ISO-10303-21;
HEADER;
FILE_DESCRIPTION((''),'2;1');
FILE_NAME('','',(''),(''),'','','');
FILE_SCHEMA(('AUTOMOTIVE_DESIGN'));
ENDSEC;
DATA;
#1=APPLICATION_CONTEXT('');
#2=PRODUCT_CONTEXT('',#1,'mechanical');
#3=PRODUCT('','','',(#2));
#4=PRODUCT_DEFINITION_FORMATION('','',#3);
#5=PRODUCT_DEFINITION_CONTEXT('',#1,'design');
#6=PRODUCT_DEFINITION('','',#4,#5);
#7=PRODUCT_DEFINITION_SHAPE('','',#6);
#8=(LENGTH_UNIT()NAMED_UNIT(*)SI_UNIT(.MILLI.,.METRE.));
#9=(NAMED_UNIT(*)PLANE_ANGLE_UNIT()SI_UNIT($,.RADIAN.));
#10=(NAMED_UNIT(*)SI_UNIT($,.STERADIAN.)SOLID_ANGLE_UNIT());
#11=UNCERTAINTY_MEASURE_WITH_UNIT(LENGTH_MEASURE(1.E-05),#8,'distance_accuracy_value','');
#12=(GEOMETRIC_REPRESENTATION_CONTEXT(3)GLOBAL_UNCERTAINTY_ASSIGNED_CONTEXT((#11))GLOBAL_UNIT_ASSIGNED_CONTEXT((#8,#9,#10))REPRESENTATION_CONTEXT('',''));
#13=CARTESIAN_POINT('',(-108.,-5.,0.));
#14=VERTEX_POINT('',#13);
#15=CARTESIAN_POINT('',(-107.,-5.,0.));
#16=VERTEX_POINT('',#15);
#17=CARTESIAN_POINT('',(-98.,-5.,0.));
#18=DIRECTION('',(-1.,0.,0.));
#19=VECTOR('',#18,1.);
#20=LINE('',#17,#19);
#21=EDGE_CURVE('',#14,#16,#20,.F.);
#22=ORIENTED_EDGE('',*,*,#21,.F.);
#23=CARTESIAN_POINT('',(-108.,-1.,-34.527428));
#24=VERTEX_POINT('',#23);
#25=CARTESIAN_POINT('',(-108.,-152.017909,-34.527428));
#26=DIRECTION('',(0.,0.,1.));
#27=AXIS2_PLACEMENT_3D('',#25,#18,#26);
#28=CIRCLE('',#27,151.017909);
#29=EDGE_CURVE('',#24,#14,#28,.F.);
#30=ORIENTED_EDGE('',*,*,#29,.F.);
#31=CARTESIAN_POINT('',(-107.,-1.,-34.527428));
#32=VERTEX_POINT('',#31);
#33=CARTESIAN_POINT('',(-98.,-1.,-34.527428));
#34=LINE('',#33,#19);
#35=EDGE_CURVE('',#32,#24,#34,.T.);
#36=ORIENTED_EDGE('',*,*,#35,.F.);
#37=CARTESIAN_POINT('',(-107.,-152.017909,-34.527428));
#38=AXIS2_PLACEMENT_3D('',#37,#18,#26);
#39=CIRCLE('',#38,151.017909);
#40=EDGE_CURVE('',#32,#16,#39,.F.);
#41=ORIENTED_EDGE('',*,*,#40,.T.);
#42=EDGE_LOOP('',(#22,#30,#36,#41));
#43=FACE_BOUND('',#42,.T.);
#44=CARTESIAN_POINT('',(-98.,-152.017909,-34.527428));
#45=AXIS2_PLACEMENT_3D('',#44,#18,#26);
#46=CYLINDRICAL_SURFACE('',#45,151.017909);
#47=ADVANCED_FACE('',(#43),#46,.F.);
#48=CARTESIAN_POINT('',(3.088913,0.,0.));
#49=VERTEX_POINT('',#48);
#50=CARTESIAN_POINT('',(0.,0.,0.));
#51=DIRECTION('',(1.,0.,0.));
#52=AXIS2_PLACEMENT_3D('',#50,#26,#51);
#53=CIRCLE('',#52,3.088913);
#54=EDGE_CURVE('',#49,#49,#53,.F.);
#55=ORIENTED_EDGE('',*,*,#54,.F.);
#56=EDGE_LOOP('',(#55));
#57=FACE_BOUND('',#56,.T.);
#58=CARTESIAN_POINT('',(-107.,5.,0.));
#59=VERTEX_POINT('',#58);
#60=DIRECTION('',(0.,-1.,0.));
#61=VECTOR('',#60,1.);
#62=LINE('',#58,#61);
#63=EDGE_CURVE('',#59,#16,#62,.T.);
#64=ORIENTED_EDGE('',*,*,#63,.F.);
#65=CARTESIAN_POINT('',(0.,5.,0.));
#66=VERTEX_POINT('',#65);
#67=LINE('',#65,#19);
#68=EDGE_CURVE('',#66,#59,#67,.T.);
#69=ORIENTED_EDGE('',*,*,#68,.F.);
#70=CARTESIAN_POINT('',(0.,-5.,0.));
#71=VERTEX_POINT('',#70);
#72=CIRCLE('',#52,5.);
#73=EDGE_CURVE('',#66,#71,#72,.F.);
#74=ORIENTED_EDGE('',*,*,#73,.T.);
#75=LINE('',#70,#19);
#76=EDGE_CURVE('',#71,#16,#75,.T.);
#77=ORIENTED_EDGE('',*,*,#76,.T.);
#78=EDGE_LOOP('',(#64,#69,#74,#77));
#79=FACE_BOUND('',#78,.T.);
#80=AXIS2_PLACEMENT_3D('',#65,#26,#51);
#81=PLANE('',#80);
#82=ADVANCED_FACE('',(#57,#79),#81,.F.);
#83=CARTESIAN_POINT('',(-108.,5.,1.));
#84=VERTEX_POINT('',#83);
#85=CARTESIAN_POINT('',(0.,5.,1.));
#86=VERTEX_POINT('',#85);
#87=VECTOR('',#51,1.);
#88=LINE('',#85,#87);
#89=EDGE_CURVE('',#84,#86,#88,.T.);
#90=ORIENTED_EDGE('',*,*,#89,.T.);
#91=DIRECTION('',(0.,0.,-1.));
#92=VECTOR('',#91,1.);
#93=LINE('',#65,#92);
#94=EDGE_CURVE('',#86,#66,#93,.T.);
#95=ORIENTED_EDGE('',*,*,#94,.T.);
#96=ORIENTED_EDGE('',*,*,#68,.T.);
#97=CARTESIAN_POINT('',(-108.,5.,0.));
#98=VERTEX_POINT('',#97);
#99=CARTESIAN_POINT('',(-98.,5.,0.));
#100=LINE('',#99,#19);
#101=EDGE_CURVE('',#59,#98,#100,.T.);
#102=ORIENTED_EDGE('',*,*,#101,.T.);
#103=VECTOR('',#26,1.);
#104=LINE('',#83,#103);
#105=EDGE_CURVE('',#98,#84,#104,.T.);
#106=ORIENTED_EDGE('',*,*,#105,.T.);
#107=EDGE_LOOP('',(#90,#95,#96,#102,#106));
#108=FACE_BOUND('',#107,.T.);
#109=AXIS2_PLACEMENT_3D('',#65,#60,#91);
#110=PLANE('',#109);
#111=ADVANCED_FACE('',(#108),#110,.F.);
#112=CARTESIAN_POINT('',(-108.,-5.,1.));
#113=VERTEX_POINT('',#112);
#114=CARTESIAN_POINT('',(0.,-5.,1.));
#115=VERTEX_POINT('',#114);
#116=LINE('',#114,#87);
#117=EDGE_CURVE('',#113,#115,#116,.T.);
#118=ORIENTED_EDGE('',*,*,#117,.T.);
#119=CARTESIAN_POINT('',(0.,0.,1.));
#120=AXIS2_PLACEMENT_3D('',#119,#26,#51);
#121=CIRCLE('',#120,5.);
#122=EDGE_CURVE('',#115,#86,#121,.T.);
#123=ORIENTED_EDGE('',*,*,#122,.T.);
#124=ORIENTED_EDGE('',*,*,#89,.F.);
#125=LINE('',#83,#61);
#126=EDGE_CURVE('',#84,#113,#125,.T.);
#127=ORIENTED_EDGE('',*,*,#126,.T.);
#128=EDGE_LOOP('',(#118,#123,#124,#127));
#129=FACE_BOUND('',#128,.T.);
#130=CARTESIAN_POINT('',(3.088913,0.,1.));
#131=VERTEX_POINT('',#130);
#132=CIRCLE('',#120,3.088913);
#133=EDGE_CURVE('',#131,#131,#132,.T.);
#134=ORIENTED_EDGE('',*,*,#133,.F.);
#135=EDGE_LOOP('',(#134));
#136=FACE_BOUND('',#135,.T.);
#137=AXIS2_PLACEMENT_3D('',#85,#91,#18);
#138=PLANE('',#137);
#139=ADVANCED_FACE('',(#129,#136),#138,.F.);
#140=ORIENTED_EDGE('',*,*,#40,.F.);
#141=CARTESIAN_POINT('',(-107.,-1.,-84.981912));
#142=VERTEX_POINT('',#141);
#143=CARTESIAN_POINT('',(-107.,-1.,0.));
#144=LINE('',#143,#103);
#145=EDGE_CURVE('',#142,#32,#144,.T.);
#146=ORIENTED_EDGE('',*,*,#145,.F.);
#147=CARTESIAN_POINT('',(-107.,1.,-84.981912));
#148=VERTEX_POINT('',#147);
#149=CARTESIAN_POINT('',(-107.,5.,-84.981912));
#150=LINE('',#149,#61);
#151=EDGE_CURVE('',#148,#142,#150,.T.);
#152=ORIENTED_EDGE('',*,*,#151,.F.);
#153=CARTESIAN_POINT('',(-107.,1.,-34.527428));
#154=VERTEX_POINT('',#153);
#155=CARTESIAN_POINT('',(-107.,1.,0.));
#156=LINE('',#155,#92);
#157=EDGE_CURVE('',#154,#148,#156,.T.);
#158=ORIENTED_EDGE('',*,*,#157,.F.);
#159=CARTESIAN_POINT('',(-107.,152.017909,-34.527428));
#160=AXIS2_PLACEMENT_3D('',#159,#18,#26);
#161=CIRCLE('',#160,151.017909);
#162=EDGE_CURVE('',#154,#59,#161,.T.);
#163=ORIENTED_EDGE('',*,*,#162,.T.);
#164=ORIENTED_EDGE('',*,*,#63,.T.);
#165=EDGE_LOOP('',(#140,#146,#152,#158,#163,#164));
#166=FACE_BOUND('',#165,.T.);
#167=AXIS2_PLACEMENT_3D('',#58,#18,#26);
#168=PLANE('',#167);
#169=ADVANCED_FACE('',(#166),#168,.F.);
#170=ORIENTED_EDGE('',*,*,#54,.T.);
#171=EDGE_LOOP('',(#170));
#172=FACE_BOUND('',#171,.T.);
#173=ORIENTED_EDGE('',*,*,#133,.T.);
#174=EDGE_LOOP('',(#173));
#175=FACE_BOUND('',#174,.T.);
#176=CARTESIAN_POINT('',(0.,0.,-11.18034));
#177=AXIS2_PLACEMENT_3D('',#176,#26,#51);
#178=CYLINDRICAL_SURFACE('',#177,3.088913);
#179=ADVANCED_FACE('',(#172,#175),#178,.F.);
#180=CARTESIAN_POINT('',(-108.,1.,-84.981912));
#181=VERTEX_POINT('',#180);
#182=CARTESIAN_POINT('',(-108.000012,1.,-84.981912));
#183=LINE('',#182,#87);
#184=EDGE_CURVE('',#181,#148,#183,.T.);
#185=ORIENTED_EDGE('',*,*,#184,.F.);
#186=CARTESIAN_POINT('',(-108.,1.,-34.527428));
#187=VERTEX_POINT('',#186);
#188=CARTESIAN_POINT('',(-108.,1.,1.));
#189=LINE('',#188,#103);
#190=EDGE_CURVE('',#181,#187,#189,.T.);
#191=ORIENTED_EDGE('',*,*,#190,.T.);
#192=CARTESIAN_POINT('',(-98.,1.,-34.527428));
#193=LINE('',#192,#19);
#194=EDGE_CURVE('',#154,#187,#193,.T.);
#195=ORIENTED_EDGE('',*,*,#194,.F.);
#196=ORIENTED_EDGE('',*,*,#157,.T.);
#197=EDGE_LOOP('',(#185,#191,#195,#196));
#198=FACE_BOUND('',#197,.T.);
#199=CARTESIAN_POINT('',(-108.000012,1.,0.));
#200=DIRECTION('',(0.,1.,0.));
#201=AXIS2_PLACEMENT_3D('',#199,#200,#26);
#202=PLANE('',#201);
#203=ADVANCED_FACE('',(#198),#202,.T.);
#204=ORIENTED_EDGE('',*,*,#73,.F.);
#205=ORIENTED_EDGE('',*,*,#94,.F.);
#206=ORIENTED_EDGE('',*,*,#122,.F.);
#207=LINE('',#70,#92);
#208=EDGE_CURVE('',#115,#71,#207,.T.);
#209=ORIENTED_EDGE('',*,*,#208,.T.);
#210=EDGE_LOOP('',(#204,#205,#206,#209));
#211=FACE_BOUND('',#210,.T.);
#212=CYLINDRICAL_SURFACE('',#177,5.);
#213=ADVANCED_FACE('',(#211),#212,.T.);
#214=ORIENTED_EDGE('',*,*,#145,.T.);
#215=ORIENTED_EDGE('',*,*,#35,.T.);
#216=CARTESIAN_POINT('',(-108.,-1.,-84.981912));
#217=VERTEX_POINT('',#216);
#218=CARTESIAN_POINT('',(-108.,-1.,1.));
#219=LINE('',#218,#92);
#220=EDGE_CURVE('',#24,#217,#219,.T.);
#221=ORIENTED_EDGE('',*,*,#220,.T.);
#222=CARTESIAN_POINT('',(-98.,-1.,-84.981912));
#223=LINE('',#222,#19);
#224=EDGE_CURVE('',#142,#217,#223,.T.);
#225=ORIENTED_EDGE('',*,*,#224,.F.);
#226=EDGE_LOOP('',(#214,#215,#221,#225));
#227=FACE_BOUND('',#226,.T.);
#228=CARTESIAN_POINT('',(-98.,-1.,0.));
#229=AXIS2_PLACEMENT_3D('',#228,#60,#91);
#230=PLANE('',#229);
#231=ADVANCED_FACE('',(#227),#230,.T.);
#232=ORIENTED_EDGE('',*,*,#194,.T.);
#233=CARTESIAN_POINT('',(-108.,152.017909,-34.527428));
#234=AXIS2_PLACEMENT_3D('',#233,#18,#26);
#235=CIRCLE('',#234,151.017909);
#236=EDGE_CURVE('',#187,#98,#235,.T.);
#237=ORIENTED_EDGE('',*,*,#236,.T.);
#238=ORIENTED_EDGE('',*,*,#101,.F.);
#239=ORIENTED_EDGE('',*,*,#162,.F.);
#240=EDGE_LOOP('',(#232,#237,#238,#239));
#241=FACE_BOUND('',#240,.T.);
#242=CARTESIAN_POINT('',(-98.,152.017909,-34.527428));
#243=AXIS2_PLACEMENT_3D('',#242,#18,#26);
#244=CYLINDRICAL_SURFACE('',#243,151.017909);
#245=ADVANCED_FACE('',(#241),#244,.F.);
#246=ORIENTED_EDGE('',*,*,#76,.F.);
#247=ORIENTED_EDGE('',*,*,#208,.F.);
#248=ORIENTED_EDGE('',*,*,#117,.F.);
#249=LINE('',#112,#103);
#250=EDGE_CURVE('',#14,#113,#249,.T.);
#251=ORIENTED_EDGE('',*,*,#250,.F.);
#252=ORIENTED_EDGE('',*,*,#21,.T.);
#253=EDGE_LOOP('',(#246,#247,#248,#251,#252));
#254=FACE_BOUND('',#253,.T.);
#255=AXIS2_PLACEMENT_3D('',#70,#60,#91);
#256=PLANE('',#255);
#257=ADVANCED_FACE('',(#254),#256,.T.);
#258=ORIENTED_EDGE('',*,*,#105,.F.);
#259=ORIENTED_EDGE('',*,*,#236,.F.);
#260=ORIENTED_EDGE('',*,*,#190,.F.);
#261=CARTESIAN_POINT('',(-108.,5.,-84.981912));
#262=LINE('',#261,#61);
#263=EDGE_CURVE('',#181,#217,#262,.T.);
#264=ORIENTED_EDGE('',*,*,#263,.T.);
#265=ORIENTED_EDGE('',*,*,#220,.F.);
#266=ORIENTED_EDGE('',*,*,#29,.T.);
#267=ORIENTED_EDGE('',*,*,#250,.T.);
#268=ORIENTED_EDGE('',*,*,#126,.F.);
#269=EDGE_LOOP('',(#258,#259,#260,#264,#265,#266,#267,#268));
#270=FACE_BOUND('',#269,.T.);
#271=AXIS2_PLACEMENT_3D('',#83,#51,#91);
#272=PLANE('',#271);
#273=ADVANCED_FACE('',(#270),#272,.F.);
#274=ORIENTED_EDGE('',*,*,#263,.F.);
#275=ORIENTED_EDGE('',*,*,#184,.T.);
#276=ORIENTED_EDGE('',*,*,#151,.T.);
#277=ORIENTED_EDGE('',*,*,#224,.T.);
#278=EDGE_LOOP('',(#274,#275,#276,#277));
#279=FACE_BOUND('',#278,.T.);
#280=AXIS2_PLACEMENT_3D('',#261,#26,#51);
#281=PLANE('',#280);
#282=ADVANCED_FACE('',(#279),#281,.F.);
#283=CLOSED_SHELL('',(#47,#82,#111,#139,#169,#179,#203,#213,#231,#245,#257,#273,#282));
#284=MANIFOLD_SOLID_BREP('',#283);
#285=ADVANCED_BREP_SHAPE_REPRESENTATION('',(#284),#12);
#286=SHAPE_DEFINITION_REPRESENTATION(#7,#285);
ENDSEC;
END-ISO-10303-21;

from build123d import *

# Parameters (mm, degrees)
BOSS_EXTRUDE1_DEPTH     = 5
SKETCH2_R               = 5
SKETCH2_R_2             = 3.088913235
BOSS_EXTRUDE2_DEPTH     = 1
SKETCH3_R               = 3.088913235
CUT_EXTRUDE1_DEPTH      = 1
CUT_EXTRUDE2_DEPTH      = 1
CUT_EXTRUDE2_DEPTH_BACK = 10


with BuildPart() as part:
    # Sketch1 → Boss-Extrude1 (new body, symmetric)
    with BuildSketch(Plane(origin=(0, 0, 0), x_dir=(1, 0, 0), z_dir=(0, 1, 0))):
        Polygon((0, 0), (-107, 0), (-107, 84.981911775), (-108, 84.981911775), (-108, -1), (0, -1), align=None)
    extrude(amount=BOSS_EXTRUDE1_DEPTH, both=True)

    # Sketch2 → Boss-Extrude2 (add)
    with BuildSketch(Plane.XY.offset(1)):
        Circle(SKETCH2_R)
        Circle(SKETCH2_R_2, mode=Mode.SUBTRACT)
    extrude(amount=-BOSS_EXTRUDE2_DEPTH)

    # Sketch3 → Cut-Extrude1 (cut)
    with BuildSketch(Plane.XY.offset(1)):
        Circle(SKETCH3_R)
    extrude(amount=-CUT_EXTRUDE1_DEPTH, mode=Mode.SUBTRACT)

    # Sketch4 → Cut-Extrude2 (cut, two sides)
    with BuildSketch(Plane.ZY.offset(108)) as cut_extrude2_sk:
        with BuildLine():
            Line((-84.981911775, 5), (-84.981911775, 1))
            Line((-84.981911775, 1), (-34.527427825, 1))
            ThreePointArc((-34.527427825, 1), (-17.14825011, 2.003332972), (0, 5))
            Line((0, 5), (-84.981911775, 5))
        make_face()
        with BuildLine():
            Line((-34.527427825, -1), (-84.981911775, -1))
            Line((-84.981911775, -1), (-84.981911775, -5))
            Line((-84.981911775, -5), (0, -5))
            ThreePointArc((0, -5), (-17.14825011, -2.003332972), (-34.527427825, -1))
        make_face()
    extrude(amount=CUT_EXTRUDE2_DEPTH, mode=Mode.SUBTRACT)
    extrude(cut_extrude2_sk.sketch, amount=-CUT_EXTRUDE2_DEPTH_BACK, mode=Mode.SUBTRACT)


solid = part.part
